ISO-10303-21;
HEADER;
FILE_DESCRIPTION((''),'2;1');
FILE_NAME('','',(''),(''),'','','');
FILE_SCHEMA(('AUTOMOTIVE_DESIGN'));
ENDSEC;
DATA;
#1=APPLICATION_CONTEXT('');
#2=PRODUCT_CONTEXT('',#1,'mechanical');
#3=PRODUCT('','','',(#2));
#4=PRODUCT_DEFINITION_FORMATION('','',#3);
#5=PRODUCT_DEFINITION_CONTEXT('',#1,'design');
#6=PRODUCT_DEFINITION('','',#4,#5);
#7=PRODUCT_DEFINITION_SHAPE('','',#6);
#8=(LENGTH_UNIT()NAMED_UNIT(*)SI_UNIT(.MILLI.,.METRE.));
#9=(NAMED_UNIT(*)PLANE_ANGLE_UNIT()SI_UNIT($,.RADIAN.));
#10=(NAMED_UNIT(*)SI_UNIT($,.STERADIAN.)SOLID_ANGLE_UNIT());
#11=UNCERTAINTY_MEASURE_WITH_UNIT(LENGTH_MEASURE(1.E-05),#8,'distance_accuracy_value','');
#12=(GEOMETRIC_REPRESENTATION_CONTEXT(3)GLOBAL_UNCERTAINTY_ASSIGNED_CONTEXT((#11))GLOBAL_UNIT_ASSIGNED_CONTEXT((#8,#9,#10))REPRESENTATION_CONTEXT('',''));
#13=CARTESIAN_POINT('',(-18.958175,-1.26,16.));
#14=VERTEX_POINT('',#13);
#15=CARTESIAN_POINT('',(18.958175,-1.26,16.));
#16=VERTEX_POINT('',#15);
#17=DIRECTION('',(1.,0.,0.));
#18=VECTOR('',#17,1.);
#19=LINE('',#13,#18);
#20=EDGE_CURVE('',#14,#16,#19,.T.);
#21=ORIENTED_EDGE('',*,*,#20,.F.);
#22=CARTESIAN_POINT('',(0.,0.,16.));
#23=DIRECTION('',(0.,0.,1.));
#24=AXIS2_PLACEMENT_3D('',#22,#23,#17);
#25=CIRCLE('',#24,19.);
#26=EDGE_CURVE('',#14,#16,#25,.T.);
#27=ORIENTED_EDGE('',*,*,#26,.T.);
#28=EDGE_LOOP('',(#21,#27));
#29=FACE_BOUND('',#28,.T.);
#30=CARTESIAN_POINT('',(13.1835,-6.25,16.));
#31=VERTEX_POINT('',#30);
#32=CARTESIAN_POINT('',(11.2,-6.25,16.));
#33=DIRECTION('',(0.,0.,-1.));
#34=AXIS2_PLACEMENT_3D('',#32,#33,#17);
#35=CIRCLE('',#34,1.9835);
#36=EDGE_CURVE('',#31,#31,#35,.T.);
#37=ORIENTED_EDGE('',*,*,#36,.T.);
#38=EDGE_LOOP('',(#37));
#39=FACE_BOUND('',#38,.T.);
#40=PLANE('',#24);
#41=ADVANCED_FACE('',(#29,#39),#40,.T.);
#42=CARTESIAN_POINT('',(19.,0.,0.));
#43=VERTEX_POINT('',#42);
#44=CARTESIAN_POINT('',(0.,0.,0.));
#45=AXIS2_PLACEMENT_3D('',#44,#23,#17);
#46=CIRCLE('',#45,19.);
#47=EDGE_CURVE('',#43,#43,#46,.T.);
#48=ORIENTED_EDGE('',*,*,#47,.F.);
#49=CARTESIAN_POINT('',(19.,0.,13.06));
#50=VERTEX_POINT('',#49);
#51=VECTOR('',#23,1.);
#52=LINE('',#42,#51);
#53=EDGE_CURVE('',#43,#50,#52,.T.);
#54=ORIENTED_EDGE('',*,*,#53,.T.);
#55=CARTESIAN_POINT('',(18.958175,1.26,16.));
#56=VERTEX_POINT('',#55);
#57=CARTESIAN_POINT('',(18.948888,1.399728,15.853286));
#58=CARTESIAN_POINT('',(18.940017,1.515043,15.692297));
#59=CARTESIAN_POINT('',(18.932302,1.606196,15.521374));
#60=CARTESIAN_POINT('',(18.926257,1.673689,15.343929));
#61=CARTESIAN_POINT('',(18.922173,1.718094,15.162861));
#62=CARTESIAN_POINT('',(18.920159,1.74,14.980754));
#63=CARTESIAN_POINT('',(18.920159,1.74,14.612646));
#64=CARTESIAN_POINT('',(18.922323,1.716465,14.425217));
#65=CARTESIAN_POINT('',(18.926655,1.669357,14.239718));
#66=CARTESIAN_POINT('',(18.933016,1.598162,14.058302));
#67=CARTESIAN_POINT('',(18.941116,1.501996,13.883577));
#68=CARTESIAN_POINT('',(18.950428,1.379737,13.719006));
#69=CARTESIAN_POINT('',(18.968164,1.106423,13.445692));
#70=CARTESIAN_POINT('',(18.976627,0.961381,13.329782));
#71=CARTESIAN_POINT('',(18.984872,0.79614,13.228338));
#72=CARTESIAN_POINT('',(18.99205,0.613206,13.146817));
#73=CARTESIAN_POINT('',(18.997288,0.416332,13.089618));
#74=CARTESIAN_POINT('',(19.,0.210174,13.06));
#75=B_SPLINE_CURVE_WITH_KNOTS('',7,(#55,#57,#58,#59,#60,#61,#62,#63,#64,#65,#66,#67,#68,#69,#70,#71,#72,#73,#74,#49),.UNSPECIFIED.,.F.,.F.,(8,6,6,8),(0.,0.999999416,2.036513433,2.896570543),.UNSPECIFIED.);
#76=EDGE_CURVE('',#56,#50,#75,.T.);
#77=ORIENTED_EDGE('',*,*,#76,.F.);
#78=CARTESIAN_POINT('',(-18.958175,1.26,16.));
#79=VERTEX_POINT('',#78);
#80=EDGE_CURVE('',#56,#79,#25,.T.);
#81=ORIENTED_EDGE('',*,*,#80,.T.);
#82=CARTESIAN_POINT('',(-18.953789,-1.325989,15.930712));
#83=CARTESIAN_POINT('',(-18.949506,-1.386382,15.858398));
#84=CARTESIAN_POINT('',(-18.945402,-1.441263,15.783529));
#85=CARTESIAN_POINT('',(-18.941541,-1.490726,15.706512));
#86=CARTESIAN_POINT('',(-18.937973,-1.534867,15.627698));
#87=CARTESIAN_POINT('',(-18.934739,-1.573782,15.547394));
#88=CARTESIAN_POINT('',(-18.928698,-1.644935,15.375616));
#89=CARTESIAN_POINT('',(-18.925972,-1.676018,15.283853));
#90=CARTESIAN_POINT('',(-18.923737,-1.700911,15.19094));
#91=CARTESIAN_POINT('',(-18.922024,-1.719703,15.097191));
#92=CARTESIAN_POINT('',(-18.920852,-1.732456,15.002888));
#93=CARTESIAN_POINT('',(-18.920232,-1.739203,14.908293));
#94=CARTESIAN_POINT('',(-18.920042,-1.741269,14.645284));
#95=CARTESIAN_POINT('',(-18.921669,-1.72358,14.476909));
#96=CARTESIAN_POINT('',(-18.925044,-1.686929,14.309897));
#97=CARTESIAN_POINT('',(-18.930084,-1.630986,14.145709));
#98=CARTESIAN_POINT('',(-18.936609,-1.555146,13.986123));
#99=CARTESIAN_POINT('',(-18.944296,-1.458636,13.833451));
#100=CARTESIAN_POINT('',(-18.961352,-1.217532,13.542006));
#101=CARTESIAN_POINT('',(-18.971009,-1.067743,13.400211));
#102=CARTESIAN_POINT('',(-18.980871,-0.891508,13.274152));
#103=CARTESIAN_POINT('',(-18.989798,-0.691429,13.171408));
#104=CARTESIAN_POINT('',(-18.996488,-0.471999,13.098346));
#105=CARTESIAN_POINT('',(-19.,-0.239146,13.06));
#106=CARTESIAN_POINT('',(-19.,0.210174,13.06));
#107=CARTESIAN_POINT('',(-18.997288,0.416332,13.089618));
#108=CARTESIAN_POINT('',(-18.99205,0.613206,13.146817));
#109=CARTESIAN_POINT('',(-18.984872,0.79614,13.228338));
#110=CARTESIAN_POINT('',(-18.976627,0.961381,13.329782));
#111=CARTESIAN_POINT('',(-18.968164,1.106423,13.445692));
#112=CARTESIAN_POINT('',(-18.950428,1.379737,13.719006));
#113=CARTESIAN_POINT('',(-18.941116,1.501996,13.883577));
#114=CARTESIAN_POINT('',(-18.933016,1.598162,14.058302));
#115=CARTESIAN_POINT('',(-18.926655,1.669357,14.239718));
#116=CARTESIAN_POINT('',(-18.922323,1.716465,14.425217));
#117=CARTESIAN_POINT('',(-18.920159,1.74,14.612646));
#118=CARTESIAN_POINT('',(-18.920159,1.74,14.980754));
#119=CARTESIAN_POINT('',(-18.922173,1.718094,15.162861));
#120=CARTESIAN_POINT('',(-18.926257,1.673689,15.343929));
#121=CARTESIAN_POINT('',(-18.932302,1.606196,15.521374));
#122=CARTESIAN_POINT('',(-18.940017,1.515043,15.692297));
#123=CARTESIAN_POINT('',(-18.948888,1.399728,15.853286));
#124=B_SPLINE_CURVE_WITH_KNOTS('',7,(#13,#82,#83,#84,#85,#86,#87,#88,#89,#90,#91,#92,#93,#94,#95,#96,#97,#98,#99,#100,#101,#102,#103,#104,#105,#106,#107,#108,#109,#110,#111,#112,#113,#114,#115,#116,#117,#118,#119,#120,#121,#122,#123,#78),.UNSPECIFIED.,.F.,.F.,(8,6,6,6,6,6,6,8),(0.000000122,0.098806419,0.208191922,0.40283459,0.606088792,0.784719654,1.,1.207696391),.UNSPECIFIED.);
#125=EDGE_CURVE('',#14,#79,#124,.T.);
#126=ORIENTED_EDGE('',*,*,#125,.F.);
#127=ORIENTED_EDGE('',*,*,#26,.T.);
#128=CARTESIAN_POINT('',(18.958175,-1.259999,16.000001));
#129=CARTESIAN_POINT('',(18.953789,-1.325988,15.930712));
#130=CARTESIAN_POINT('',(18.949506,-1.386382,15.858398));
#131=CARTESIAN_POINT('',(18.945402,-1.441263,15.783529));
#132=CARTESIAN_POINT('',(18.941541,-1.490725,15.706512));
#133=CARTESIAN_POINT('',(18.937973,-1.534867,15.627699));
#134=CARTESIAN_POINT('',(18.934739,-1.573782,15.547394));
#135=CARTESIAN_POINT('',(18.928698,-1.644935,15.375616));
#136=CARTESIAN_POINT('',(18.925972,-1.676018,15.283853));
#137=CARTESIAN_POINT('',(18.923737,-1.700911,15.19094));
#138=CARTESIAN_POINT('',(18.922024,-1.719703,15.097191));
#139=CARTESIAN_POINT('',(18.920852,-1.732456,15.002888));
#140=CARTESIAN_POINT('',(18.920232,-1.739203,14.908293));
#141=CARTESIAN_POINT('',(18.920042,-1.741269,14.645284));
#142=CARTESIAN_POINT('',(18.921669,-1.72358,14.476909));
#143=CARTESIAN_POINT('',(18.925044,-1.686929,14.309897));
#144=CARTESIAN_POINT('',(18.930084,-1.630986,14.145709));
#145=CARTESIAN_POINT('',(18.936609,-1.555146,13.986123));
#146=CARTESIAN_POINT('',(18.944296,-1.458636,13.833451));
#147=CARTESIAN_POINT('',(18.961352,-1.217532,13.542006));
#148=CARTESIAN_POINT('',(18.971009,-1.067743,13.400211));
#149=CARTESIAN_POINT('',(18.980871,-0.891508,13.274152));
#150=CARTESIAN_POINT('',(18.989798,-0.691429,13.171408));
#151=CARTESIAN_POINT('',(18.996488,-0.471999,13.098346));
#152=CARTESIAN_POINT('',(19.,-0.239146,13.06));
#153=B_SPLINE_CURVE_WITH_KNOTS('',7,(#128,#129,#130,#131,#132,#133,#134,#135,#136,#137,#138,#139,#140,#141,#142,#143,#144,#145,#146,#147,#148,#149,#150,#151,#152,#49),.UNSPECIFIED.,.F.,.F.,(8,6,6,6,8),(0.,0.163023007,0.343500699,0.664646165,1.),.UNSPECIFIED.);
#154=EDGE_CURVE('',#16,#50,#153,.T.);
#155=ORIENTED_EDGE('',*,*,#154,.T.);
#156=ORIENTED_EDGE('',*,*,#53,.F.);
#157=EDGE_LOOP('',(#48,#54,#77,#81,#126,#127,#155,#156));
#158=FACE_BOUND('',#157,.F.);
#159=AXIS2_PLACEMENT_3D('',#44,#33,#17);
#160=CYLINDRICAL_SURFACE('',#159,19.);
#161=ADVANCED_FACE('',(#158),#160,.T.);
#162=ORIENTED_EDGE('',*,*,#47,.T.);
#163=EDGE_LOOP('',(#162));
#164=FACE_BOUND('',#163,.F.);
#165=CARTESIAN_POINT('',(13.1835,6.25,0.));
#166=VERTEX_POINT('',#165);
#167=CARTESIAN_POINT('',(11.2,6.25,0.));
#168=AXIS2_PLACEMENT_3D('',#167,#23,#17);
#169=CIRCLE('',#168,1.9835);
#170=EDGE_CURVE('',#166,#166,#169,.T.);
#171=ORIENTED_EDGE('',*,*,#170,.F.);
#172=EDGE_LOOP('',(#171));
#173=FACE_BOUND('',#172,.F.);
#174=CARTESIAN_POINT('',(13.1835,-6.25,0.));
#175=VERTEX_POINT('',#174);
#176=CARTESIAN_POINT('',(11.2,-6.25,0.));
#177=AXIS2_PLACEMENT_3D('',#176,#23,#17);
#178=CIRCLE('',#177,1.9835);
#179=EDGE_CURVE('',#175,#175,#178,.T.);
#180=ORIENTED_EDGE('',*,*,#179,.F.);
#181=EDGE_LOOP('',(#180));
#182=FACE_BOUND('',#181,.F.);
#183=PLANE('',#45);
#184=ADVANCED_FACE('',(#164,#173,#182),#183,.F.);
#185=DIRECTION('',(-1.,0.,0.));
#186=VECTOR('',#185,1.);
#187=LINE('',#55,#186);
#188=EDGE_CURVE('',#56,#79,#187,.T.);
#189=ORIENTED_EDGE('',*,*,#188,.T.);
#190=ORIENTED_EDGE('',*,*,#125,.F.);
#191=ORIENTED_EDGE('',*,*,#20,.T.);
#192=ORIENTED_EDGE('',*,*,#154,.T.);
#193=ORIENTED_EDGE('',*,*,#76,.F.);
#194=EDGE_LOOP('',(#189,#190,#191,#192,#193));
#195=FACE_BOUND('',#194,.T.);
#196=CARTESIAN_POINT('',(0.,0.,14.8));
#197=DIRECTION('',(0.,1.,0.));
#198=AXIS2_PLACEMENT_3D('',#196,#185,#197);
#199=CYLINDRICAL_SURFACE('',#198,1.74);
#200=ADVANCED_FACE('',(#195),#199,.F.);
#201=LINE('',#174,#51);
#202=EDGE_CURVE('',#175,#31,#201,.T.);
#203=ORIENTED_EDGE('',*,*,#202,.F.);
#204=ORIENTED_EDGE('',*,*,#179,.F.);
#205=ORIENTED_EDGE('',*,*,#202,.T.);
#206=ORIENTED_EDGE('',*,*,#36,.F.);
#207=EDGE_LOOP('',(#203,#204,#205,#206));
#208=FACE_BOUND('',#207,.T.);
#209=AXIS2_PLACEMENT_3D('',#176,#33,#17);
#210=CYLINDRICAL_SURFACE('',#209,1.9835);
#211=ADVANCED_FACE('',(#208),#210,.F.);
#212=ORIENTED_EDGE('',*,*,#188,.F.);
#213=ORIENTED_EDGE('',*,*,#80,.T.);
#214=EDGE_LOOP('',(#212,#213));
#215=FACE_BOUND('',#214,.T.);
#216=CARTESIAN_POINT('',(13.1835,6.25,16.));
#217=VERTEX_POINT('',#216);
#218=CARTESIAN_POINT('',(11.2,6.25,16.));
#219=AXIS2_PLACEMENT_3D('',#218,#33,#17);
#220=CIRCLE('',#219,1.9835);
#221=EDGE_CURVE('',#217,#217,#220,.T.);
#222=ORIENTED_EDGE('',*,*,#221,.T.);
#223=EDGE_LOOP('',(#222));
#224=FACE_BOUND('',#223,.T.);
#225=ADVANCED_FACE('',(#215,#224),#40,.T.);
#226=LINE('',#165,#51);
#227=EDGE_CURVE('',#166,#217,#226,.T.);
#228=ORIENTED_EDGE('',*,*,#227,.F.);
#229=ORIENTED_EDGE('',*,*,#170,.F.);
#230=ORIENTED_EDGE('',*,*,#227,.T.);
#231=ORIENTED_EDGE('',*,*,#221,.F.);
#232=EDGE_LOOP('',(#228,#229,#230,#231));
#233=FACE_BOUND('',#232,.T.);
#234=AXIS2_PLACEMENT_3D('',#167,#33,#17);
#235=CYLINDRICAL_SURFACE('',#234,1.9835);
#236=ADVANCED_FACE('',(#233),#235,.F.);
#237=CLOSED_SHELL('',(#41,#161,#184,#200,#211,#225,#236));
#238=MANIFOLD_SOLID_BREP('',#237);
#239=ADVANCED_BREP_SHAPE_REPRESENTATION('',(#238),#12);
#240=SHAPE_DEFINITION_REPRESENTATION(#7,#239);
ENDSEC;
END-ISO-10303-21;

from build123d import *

# Parameters (mm, degrees)
F0_R          = 19
F1_DEPTH      = 16
F2_R          = 1.74
F3_DEPTH      = 19.001
F3_DEPTH_BACK = 19.001
F4_R          = 1.9835
F5_DEPTH      = 16.0010001


with BuildPart() as f1:
    # F0 (on Top) → F1 (new body)
    with BuildSketch(Plane.XY):
        Circle(F0_R)
    extrude(amount=F1_DEPTH)

    # F2 (on Right) → F3 (cut, two sides)
    with BuildSketch(Plane.YZ) as f3_sk:
        with Locations((0, 14.8)):
            Circle(F2_R)
    extrude(amount=-F3_DEPTH, mode=Mode.SUBTRACT)
    extrude(f3_sk.sketch, amount=F3_DEPTH_BACK, mode=Mode.SUBTRACT)

    # F4 (on Top) → F5 (cut, through all)
    with BuildSketch(Plane.XY):
        with Locations((11.2, -6.25)):
            Circle(F4_R)
        with Locations((11.2, 6.25)):
            Circle(F4_R)
    extrude(amount=F5_DEPTH, mode=Mode.SUBTRACT)


solid = f1.part
